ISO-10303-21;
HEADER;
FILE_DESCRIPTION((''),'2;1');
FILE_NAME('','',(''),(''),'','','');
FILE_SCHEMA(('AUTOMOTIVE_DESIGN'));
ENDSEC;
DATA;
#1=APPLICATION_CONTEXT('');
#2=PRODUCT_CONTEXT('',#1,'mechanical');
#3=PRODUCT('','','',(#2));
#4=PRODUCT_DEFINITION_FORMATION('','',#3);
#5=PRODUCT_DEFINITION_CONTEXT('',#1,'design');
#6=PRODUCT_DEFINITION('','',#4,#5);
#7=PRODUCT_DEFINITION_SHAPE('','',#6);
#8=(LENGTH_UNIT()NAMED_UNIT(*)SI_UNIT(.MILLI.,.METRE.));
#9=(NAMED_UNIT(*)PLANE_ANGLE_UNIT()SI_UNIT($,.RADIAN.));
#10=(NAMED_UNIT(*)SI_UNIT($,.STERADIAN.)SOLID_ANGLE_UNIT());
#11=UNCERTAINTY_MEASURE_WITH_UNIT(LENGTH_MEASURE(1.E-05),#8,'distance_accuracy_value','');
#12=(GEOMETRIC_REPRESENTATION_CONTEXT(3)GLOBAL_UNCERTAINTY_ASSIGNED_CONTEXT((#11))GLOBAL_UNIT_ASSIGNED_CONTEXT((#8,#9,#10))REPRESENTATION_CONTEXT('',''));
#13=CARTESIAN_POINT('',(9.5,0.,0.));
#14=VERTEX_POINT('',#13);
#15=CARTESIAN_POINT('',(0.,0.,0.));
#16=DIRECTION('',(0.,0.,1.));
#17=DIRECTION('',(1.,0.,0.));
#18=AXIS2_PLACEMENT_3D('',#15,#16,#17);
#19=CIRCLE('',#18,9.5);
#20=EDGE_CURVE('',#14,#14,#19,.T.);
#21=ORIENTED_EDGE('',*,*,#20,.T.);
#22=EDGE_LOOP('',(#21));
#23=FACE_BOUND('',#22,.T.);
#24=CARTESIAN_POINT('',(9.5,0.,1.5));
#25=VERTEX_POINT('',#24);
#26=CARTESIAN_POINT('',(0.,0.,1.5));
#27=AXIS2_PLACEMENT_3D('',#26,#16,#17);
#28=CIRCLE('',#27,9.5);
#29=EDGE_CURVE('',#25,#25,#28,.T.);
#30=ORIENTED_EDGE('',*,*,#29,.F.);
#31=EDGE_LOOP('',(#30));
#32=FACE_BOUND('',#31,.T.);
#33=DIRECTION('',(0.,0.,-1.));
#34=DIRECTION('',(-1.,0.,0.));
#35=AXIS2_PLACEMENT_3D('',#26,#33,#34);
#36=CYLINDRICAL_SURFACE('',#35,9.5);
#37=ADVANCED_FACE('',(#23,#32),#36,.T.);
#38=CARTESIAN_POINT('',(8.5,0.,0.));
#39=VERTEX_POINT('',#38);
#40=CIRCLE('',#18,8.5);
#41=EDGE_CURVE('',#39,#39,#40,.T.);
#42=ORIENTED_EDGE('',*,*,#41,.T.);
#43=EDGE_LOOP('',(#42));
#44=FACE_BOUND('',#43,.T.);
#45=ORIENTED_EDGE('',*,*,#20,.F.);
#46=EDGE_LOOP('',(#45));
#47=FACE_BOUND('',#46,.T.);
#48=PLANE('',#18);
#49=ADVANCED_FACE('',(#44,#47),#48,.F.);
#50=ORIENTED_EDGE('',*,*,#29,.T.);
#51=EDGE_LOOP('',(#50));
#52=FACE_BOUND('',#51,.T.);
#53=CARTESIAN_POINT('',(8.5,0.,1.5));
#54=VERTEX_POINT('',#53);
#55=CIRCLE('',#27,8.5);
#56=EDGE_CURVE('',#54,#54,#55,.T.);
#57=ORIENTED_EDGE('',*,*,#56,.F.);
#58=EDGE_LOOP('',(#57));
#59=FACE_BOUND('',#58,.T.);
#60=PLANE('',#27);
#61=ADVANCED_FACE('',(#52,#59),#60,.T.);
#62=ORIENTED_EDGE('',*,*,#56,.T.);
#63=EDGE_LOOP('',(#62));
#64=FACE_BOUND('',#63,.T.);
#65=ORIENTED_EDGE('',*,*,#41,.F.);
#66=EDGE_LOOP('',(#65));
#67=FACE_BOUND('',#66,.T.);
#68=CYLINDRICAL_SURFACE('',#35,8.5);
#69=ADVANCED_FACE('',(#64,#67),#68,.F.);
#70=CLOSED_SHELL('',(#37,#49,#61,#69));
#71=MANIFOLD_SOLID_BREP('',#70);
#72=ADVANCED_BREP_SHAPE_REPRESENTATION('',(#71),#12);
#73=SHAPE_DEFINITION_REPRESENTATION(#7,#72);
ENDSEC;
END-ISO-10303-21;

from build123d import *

# Parameters (mm, degrees)
SKETCH_1_R      = 9.5
SKETCH_1_R_2    = 8.5
EXTRUDE_1_DEPTH = 1.5


with BuildPart() as part:
    # Эскиз1 → Бобышка-Вытянуть1 (new body)
    with BuildSketch(Plane.XY):
        Circle(SKETCH_1_R)
        Circle(SKETCH_1_R_2, mode=Mode.SUBTRACT)
    extrude(amount=EXTRUDE_1_DEPTH)


solid = part.part
